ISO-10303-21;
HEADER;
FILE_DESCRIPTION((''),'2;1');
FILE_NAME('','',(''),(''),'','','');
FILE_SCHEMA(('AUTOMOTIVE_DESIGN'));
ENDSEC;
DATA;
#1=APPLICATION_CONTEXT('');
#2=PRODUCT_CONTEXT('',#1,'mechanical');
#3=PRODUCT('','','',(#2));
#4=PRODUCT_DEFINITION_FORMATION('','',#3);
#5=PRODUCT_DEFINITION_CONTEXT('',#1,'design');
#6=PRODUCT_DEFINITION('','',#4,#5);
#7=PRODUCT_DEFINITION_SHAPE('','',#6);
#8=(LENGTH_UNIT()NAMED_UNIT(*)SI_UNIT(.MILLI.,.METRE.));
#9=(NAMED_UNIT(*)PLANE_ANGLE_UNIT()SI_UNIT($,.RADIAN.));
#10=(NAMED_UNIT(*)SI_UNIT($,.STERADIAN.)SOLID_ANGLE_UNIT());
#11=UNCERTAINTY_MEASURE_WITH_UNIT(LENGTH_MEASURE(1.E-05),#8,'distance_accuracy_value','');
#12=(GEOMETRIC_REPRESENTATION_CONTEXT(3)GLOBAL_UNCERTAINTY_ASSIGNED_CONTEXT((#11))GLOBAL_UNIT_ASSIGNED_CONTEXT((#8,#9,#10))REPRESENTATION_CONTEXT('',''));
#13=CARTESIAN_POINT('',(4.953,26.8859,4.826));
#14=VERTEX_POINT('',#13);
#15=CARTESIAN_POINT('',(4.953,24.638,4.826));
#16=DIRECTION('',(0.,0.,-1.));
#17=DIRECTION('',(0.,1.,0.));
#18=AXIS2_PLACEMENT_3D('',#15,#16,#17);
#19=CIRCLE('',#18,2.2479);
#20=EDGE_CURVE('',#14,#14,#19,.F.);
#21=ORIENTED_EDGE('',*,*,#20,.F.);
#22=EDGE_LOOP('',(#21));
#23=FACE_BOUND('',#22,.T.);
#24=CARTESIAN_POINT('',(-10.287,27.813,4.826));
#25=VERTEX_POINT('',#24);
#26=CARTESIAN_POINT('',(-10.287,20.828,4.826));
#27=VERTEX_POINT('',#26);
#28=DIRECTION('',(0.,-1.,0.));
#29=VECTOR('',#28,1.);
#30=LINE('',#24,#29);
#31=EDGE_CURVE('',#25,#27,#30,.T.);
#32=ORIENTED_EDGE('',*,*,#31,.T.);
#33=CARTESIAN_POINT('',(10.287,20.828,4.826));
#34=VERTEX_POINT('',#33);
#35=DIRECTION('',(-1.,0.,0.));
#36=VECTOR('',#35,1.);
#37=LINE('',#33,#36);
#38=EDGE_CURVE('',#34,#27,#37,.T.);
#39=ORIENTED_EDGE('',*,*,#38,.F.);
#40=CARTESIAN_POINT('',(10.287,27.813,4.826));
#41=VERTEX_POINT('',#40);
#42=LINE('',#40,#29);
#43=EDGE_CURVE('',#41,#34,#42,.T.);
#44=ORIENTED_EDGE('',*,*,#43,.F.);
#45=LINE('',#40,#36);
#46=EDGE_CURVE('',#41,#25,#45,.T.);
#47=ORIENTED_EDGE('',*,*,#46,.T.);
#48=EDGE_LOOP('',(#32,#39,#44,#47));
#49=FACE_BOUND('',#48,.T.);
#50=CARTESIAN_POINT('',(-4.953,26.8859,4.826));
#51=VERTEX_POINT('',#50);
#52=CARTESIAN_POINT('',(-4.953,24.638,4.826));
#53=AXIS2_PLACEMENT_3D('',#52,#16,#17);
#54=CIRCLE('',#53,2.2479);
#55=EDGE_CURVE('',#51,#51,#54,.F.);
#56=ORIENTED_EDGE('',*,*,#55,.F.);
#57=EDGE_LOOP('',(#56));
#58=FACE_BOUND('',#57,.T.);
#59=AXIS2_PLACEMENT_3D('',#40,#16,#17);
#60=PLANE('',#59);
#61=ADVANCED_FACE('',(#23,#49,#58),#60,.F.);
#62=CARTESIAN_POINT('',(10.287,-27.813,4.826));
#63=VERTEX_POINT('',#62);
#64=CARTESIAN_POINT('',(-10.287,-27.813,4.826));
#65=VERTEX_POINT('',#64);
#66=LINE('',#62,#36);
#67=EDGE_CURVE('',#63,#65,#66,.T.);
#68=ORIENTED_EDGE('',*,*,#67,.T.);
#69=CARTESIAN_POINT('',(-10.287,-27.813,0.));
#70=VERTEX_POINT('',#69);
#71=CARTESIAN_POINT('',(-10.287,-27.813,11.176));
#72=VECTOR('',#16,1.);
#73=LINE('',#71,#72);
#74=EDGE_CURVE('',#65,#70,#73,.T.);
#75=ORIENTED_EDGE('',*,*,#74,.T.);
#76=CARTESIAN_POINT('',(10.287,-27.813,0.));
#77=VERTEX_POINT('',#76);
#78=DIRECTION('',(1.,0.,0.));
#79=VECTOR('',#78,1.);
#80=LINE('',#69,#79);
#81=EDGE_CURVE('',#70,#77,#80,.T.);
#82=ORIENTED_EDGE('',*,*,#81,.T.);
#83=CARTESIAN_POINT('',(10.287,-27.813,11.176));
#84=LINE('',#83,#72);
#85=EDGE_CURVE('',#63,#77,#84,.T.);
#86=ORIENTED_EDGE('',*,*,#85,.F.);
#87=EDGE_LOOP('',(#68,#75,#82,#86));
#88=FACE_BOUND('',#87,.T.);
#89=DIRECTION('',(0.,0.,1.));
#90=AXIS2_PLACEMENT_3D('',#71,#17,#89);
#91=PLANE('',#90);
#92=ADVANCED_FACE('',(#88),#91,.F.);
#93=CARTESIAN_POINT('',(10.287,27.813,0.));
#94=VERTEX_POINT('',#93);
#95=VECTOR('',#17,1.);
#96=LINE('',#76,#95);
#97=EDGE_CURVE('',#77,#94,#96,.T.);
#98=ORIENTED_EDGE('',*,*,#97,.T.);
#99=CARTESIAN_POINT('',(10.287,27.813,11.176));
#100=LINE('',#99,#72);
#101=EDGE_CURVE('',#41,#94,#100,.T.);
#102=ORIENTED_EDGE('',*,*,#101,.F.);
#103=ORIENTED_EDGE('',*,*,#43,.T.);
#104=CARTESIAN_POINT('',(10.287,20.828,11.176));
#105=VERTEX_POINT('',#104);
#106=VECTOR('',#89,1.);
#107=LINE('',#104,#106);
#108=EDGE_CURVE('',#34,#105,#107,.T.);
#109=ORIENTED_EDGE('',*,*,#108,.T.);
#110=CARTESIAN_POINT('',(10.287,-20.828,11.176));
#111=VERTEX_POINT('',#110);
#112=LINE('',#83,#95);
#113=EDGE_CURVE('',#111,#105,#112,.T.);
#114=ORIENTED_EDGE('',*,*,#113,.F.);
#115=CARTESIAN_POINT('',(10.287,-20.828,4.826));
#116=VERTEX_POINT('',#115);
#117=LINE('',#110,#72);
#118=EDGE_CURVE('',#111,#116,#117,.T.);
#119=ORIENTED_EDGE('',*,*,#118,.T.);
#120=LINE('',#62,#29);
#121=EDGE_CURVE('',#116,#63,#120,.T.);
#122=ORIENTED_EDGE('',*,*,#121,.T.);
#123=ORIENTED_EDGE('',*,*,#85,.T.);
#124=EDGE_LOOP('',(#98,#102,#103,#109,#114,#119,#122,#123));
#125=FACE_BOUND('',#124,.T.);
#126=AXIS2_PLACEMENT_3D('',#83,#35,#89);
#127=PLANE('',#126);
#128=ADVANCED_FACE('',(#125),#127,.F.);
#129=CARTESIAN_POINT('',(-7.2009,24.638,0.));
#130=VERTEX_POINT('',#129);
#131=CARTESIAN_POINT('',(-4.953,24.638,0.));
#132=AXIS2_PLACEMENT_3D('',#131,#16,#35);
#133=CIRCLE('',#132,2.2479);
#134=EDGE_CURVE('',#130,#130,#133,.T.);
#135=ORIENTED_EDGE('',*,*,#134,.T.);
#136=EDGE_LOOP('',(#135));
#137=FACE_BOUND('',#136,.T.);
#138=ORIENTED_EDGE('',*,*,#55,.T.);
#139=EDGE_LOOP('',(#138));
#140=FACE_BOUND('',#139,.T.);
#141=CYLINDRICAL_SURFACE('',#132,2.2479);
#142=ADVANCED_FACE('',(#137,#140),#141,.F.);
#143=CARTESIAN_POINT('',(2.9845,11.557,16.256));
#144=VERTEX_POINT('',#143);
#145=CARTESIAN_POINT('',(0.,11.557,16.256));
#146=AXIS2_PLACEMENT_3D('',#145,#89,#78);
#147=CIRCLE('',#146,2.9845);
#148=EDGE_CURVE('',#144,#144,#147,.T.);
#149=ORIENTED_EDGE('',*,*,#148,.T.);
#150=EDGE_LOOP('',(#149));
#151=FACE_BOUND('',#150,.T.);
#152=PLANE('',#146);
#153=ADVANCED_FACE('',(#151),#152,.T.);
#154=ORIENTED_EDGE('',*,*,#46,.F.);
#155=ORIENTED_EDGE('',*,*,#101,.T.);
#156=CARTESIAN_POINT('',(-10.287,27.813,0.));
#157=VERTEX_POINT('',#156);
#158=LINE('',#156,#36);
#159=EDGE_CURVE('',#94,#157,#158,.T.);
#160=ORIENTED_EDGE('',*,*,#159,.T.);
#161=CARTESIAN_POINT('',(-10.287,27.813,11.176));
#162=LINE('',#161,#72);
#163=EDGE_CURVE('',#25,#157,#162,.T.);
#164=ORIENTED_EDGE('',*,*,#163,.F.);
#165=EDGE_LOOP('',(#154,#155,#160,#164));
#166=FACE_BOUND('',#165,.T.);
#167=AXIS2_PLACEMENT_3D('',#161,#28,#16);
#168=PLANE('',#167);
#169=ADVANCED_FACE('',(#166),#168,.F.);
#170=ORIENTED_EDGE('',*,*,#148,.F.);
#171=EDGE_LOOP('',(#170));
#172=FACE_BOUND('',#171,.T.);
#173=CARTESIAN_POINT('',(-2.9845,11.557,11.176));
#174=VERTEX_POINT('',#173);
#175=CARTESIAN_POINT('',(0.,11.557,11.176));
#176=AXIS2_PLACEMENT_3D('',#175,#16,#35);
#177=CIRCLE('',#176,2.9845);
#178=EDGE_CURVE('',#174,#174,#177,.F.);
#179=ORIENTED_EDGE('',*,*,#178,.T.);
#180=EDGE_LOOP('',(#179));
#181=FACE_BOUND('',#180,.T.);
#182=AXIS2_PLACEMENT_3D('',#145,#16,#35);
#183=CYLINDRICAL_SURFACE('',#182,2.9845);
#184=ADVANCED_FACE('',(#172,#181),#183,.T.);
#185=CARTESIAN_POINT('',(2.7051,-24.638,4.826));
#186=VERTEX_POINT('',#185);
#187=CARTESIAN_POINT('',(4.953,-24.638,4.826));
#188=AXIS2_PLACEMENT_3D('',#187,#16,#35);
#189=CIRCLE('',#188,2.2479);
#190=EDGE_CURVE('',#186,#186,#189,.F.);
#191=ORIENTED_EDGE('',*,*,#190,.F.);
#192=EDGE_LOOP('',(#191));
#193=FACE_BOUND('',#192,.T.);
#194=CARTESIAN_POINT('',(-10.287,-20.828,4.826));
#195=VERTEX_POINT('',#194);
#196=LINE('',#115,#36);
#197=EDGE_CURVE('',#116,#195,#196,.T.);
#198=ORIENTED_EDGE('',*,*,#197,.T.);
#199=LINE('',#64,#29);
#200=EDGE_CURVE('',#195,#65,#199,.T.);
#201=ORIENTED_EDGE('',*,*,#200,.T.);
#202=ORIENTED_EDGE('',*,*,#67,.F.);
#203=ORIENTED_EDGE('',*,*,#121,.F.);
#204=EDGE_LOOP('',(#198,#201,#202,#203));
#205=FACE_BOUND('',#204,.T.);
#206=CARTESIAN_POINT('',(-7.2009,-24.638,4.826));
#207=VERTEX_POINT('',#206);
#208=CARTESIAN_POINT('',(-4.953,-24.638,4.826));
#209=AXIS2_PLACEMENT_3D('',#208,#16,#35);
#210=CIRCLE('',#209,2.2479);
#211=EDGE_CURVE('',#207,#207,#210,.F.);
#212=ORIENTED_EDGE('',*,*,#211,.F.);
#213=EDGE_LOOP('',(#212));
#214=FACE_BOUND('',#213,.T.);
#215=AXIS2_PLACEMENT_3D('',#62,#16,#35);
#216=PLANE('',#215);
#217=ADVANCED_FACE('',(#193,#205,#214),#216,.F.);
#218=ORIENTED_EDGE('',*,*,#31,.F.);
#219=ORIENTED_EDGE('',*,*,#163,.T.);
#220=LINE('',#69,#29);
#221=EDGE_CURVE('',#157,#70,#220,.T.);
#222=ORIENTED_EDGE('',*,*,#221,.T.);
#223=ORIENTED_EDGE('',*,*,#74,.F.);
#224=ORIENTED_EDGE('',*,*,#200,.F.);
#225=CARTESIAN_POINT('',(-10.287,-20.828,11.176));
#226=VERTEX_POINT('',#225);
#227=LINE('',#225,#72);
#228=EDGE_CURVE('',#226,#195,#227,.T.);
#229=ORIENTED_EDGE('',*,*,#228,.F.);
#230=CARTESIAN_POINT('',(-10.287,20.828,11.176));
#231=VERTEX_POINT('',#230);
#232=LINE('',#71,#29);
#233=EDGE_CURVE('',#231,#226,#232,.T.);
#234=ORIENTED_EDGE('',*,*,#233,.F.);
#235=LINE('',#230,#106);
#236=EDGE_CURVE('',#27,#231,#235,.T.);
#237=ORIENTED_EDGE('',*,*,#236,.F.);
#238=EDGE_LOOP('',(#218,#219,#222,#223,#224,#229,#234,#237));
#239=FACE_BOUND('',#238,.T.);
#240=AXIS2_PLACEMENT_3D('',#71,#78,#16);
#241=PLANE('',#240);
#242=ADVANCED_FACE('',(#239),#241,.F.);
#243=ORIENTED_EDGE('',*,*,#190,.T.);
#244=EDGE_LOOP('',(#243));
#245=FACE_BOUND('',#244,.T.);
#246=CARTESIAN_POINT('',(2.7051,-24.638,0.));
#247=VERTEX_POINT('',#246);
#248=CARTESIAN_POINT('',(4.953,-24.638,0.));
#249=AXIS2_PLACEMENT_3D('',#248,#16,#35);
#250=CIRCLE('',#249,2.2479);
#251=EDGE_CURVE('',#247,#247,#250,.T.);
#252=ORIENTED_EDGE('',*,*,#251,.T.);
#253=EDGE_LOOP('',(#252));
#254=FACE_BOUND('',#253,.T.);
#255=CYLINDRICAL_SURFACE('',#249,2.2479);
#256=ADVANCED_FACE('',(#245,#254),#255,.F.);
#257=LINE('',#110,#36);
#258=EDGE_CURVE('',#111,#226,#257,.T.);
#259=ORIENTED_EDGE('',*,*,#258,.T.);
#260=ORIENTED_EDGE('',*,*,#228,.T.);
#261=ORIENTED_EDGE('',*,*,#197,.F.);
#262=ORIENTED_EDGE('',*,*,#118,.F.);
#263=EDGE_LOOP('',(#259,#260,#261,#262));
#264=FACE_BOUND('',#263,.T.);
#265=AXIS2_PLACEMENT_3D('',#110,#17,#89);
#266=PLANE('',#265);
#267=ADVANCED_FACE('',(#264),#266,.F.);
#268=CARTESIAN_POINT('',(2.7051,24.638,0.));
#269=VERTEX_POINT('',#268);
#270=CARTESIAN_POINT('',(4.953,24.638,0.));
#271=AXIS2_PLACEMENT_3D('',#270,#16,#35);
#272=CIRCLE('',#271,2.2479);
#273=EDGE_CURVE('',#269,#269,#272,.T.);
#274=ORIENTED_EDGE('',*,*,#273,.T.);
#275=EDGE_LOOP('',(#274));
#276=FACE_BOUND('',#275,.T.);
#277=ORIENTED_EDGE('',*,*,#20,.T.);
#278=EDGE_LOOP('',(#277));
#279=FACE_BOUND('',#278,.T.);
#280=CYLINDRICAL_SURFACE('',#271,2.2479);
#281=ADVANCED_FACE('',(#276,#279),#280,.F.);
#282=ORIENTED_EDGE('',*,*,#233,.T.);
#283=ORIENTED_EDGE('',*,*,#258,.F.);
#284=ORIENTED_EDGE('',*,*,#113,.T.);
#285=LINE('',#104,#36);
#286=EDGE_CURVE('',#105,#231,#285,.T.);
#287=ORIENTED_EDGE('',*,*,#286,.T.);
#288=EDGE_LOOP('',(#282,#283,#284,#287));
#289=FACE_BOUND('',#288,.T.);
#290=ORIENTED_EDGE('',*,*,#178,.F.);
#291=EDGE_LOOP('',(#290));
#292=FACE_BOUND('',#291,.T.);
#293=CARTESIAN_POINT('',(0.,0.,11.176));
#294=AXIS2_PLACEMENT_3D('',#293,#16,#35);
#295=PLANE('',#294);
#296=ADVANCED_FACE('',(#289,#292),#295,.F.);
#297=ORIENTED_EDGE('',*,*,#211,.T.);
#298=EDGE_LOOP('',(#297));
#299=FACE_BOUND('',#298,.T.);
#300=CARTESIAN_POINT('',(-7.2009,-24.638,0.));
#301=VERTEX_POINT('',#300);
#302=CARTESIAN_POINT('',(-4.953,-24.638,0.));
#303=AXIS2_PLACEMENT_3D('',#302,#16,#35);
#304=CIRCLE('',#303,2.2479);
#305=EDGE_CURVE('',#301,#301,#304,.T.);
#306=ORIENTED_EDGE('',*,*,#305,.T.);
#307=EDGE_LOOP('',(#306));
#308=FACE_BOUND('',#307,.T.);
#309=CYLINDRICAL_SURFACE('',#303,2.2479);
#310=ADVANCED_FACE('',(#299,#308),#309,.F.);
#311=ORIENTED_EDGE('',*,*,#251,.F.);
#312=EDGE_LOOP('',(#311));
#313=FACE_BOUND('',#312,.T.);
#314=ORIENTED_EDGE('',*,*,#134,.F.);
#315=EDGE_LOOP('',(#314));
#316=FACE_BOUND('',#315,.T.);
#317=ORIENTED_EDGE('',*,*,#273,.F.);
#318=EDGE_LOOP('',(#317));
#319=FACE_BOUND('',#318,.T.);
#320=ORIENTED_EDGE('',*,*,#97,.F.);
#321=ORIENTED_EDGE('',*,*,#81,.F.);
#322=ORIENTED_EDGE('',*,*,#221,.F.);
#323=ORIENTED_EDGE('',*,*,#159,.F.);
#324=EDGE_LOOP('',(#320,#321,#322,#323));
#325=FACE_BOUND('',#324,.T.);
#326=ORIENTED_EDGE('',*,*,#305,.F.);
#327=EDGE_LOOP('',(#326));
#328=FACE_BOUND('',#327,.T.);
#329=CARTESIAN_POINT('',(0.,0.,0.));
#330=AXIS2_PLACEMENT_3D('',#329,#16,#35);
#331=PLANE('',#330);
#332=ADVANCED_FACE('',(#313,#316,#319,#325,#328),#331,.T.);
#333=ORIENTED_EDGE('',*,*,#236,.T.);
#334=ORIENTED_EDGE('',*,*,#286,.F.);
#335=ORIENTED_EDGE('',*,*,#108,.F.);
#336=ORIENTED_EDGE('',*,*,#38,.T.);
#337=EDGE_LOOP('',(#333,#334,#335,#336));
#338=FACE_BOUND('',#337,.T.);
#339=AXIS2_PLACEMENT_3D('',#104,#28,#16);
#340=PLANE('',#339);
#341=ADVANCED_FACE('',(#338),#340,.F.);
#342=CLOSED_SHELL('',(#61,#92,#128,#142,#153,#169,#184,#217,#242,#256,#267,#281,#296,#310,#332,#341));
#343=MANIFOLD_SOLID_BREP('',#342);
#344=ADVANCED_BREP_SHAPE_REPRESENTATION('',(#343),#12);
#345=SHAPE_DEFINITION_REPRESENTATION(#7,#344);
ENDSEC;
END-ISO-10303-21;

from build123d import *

# Parameters (mm, degrees)
SKETCH1_W             = 20.574
SKETCH1_H             = 55.626
BOSS_EXTRUDE1_DEPTH   = 11.176
SKETCH2_R             = 2.9845
BOSS_EXTRUDE2_DEPTH   = 5.08
F_8_CLEARANCE_HOLE1_D = 4.4958
MIRROR2_COPY_1_D      = 4.4958
SKETCH6_W             = 6.35
SKETCH6_H             = 6.985
CUT_EXTRUDE1_DEPTH    = 21.574


with BuildPart() as part:
    # Sketch1 → Boss-Extrude1 (new body)
    with BuildSketch(Plane.XY):
        Rectangle(SKETCH1_W, SKETCH1_H)
    extrude(amount=BOSS_EXTRUDE1_DEPTH)

    # Sketch2 → Boss-Extrude2 (add)
    with BuildSketch(Plane.XY.offset(11.176)):
        with Locations((0, 11.557)):
            Circle(SKETCH2_R)
    extrude(amount=BOSS_EXTRUDE2_DEPTH)

    # #8 Clearance Hole1 (through all)
    with Locations(Plane(origin=(0, 0, 0), x_dir=(-1, 0, 0), z_dir=(0, 0, -1))):
        with Locations((4.953, 24.638)):
            f_8_clearance_hole1 = Hole(F_8_CLEARANCE_HOLE1_D / 2)

    # Mirror1: #8 Clearance Hole1 across plane
    add(f_8_clearance_hole1.mirror(Plane(origin=(0, 0, 0), x_dir=(0, 0, 1), z_dir=(1, 0, 0))), mode=Mode.SUBTRACT)

    # Mirror2: #8 Clearance Hole1 across plane
    add(f_8_clearance_hole1.mirror(Plane.ZX), mode=Mode.SUBTRACT)

    # Mirror2 copy 1 (through all)
    with Locations(Plane(origin=(0, 0, 0), x_dir=(1, 0, 0), z_dir=(0, 0, -1))):
        with Locations((4.953, 24.638)):
            Hole(MIRROR2_COPY_1_D / 2)

    # Sketch6 → Cut-Extrude1 (cut, through all)
    with BuildSketch(Plane.ZY.offset(10.287)):
        with Locations((8.001, -24.3205)):
            Rectangle(SKETCH6_W, SKETCH6_H)
        with Locations((8.001, 24.3205)):
            Rectangle(SKETCH6_W, SKETCH6_H)
    extrude(amount=-CUT_EXTRUDE1_DEPTH, mode=Mode.SUBTRACT)


solid = part.part
